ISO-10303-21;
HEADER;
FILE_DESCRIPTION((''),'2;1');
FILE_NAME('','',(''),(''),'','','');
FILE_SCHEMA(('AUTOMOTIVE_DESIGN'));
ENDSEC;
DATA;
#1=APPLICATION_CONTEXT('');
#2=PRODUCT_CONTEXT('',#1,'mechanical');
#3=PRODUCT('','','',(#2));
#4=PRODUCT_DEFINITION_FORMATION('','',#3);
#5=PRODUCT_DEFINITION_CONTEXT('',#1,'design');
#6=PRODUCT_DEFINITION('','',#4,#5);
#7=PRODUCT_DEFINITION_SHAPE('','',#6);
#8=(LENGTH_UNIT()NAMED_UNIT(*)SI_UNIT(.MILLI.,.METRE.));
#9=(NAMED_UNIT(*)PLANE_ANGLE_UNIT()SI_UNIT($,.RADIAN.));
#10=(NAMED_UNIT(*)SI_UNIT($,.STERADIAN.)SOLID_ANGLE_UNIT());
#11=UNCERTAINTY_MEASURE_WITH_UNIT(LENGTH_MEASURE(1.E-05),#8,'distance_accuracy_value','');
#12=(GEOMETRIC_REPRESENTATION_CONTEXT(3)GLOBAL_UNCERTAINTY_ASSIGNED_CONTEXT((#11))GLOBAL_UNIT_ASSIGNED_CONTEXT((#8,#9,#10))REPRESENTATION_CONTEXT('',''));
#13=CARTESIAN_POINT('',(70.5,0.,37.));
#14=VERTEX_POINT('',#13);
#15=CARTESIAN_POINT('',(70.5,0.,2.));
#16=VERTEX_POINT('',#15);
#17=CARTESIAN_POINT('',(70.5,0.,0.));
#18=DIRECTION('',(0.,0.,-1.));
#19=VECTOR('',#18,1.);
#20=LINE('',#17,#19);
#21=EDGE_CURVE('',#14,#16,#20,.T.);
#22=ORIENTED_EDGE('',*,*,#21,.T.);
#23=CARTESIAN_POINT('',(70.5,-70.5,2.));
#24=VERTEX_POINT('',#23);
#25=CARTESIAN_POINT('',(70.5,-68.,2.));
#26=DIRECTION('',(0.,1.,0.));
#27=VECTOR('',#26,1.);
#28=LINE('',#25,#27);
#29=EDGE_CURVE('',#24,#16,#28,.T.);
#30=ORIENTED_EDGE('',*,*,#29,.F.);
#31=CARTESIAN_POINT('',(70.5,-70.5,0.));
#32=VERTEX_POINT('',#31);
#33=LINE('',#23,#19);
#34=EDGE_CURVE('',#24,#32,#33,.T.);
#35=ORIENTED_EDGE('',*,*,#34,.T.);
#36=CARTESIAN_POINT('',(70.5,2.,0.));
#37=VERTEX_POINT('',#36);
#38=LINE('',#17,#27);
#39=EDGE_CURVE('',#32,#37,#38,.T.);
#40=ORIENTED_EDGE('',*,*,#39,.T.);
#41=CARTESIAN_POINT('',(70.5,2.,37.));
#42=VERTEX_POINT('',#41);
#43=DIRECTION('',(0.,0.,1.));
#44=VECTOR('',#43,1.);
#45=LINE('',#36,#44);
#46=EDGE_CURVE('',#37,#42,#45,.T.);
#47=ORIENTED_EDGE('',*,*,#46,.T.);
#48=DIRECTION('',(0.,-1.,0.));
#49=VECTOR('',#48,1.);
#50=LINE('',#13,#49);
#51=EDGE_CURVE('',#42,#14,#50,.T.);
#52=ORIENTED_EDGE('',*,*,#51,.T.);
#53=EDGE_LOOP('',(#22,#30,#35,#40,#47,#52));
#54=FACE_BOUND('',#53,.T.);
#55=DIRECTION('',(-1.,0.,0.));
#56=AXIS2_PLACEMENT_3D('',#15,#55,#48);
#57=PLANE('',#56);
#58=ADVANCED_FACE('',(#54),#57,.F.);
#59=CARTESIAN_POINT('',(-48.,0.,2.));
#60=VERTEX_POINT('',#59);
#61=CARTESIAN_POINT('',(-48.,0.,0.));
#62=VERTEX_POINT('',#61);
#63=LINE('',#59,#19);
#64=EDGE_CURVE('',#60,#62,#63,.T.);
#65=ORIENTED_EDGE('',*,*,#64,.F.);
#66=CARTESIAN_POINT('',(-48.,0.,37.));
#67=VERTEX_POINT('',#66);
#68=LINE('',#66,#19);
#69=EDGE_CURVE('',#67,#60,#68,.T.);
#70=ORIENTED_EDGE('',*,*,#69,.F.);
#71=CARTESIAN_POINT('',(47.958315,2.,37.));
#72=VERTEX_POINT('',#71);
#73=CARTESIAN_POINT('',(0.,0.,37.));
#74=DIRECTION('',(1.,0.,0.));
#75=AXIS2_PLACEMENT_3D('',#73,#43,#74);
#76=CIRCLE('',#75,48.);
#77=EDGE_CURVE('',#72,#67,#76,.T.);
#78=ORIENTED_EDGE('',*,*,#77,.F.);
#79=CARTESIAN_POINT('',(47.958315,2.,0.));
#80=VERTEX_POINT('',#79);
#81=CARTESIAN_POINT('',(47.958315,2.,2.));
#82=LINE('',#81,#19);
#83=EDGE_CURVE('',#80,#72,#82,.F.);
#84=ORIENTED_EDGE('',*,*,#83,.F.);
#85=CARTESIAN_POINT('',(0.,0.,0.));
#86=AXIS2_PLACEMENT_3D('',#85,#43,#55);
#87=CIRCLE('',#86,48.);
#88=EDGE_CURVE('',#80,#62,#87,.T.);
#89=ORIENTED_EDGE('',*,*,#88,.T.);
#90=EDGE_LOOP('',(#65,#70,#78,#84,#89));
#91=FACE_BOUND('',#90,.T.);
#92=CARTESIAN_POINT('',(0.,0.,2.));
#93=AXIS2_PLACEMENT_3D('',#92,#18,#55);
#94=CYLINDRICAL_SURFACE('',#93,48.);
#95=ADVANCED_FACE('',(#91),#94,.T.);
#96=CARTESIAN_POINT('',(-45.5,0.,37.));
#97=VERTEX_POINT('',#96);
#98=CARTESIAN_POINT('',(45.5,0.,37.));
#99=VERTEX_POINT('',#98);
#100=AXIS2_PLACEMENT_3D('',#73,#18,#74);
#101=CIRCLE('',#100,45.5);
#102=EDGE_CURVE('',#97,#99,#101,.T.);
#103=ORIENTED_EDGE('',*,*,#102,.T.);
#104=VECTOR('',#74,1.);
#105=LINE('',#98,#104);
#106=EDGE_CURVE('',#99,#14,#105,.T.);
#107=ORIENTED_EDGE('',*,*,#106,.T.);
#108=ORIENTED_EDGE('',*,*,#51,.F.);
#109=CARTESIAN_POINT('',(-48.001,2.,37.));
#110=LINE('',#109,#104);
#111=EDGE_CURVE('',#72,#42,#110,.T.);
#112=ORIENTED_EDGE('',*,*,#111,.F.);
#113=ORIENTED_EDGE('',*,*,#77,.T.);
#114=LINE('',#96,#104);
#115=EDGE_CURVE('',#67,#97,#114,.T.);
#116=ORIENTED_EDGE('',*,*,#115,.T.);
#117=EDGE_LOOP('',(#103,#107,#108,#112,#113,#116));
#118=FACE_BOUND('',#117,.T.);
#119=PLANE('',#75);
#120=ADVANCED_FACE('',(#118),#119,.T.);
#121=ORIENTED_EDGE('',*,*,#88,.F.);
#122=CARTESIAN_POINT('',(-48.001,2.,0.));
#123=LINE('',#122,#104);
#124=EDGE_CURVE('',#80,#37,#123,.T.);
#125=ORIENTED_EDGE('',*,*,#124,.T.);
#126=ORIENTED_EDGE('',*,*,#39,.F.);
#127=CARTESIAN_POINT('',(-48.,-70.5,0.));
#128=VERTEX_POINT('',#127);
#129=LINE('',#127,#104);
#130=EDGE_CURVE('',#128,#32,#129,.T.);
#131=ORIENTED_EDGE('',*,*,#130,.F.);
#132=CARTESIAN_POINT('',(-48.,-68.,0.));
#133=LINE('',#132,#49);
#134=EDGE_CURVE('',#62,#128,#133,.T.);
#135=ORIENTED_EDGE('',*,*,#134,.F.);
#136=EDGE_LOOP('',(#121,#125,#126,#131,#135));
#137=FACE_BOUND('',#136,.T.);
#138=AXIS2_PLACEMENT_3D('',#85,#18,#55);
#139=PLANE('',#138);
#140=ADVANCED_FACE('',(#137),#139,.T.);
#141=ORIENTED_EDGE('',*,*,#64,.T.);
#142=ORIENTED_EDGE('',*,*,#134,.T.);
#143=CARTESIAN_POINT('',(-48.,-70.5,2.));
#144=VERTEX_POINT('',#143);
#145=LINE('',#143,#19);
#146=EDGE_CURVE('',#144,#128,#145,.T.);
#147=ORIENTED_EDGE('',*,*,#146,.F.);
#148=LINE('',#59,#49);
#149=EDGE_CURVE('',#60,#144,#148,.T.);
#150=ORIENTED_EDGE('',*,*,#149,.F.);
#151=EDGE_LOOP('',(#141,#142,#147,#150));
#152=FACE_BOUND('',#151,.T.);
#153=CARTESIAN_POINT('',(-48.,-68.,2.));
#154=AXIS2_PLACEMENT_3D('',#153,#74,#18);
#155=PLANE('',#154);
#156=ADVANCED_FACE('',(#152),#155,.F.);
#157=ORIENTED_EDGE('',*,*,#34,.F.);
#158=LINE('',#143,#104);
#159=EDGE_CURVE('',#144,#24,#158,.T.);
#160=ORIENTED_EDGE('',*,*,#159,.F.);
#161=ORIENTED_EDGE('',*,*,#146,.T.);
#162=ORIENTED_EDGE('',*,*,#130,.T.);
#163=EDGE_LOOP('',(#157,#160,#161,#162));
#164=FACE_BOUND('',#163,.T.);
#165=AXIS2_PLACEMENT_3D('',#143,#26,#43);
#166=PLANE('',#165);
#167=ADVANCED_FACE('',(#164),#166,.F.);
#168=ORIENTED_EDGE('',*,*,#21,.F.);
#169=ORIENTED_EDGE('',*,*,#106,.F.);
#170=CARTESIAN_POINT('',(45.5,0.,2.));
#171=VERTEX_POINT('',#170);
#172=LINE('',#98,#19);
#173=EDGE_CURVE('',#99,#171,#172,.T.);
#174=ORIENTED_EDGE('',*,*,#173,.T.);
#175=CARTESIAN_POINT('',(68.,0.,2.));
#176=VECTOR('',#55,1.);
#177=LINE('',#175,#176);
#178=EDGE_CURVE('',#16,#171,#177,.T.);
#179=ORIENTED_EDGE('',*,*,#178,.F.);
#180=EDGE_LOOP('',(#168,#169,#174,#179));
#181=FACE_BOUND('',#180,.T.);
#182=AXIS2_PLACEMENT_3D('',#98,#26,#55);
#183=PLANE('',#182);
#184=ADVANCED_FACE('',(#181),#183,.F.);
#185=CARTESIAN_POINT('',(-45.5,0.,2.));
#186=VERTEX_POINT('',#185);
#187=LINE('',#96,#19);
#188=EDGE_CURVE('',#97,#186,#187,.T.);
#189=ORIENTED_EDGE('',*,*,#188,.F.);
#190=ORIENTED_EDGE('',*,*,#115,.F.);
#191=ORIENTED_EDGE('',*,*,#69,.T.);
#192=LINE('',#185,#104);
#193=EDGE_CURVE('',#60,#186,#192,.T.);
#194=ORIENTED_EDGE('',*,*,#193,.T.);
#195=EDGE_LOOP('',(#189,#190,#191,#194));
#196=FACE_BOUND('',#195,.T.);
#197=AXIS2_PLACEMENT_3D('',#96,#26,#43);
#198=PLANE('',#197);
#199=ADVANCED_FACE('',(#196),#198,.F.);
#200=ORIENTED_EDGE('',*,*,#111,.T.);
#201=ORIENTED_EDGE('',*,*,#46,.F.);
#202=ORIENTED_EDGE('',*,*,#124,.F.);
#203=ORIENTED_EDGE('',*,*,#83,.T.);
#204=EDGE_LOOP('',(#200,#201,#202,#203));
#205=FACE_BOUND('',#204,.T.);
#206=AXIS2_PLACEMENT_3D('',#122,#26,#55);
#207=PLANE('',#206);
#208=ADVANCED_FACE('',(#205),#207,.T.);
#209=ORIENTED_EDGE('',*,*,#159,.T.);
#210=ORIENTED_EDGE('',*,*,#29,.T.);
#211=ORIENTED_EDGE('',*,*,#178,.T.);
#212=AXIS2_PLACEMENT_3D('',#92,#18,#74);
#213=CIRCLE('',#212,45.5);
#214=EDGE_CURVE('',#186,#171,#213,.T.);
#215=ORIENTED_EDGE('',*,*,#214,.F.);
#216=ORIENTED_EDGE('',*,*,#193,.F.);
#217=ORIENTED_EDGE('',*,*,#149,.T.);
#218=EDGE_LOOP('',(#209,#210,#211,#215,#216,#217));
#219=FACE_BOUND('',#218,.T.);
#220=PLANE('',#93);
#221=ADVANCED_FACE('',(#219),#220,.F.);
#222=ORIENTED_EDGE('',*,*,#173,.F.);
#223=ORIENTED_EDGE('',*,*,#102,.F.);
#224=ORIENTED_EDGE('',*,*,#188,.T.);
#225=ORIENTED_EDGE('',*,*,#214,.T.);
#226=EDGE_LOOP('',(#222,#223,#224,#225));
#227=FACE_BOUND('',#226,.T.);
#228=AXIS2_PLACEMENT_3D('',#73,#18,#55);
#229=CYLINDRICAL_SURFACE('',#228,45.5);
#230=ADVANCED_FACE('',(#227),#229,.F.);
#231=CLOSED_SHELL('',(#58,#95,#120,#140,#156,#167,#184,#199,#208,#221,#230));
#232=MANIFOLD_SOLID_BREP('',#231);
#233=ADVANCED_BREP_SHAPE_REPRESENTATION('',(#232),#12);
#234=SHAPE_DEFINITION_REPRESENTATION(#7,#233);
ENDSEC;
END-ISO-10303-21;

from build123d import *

# Parameters (mm, degrees)
BOSS_EXTRU_1_DEPTH      = 2
BOSS_EXTRU_2_DEPTH      = 35
BOSS_EXTRU_3_REACH      = 144.764
BOSS_EXTRU_3_END_RADIUS = 48
ESQUISSE4_W             = 37
ESQUISSE4_H             = 2


with BuildPart() as part:
    # Esquisse1 → Boss.-Extru.1 (new body)
    with BuildSketch(Plane.XY):
        with BuildLine():
            Line((-48, 0), (-48, -68))
            Line((-48, -68), (-48, -70.5))
            Line((-48, -70.5), (70.5, -70.5))
            Line((70.5, -70.5), (70.5, -68))
            Line((70.5, -68), (70.5, 0))
            Line((70.5, 0), (68, 0))
            Line((68, 0), (48, 0))
            ThreePointArc((48, 0), (0, 48), (-48, 0))
        make_face()
    extrude(amount=BOSS_EXTRU_1_DEPTH)

    # Esquisse3 → Boss.-Extru.2 (add)
    with BuildSketch(Plane.XY.offset(2)):
        with BuildLine():
            Line((-45.5, 0), (-48, 0))
            ThreePointArc((-48, 0), (0, 48), (48, 0))
            Line((48, 0), (45.5, 0))
            ThreePointArc((45.5, 0), (0, 45.5), (-45.5, 0))
        make_face()
    extrude(amount=BOSS_EXTRU_2_DEPTH)

    # Boss.-Extru.3: up to this cylinder (the profile starts outside it)
    boss_extru_3_end = Plane(origin=(0, 0, 18.5), z_dir=(0, 0, -1)) * Cylinder(BOSS_EXTRU_3_END_RADIUS, 386.528, mode=Mode.PRIVATE)
    # Esquisse4 → Boss.-Extru.3 (add, up to the surface)
    with BuildSketch(Plane(origin=(70.5, 0, 0), x_dir=(0, 0, -1), z_dir=(1, 0, 0)), mode=Mode.PRIVATE) as boss_extru_3_sk1:
        with Locations((-18.5, 1)):
            Rectangle(ESQUISSE4_W, ESQUISSE4_H)
    boss_extru_3_tool1 = extrude(boss_extru_3_sk1.sketch, amount=-BOSS_EXTRU_3_REACH, mode=Mode.PRIVATE) - boss_extru_3_end
    add(boss_extru_3_tool1.solids().sort_by_distance((70.5, 1, 18.5))[0])


solid = part.part
